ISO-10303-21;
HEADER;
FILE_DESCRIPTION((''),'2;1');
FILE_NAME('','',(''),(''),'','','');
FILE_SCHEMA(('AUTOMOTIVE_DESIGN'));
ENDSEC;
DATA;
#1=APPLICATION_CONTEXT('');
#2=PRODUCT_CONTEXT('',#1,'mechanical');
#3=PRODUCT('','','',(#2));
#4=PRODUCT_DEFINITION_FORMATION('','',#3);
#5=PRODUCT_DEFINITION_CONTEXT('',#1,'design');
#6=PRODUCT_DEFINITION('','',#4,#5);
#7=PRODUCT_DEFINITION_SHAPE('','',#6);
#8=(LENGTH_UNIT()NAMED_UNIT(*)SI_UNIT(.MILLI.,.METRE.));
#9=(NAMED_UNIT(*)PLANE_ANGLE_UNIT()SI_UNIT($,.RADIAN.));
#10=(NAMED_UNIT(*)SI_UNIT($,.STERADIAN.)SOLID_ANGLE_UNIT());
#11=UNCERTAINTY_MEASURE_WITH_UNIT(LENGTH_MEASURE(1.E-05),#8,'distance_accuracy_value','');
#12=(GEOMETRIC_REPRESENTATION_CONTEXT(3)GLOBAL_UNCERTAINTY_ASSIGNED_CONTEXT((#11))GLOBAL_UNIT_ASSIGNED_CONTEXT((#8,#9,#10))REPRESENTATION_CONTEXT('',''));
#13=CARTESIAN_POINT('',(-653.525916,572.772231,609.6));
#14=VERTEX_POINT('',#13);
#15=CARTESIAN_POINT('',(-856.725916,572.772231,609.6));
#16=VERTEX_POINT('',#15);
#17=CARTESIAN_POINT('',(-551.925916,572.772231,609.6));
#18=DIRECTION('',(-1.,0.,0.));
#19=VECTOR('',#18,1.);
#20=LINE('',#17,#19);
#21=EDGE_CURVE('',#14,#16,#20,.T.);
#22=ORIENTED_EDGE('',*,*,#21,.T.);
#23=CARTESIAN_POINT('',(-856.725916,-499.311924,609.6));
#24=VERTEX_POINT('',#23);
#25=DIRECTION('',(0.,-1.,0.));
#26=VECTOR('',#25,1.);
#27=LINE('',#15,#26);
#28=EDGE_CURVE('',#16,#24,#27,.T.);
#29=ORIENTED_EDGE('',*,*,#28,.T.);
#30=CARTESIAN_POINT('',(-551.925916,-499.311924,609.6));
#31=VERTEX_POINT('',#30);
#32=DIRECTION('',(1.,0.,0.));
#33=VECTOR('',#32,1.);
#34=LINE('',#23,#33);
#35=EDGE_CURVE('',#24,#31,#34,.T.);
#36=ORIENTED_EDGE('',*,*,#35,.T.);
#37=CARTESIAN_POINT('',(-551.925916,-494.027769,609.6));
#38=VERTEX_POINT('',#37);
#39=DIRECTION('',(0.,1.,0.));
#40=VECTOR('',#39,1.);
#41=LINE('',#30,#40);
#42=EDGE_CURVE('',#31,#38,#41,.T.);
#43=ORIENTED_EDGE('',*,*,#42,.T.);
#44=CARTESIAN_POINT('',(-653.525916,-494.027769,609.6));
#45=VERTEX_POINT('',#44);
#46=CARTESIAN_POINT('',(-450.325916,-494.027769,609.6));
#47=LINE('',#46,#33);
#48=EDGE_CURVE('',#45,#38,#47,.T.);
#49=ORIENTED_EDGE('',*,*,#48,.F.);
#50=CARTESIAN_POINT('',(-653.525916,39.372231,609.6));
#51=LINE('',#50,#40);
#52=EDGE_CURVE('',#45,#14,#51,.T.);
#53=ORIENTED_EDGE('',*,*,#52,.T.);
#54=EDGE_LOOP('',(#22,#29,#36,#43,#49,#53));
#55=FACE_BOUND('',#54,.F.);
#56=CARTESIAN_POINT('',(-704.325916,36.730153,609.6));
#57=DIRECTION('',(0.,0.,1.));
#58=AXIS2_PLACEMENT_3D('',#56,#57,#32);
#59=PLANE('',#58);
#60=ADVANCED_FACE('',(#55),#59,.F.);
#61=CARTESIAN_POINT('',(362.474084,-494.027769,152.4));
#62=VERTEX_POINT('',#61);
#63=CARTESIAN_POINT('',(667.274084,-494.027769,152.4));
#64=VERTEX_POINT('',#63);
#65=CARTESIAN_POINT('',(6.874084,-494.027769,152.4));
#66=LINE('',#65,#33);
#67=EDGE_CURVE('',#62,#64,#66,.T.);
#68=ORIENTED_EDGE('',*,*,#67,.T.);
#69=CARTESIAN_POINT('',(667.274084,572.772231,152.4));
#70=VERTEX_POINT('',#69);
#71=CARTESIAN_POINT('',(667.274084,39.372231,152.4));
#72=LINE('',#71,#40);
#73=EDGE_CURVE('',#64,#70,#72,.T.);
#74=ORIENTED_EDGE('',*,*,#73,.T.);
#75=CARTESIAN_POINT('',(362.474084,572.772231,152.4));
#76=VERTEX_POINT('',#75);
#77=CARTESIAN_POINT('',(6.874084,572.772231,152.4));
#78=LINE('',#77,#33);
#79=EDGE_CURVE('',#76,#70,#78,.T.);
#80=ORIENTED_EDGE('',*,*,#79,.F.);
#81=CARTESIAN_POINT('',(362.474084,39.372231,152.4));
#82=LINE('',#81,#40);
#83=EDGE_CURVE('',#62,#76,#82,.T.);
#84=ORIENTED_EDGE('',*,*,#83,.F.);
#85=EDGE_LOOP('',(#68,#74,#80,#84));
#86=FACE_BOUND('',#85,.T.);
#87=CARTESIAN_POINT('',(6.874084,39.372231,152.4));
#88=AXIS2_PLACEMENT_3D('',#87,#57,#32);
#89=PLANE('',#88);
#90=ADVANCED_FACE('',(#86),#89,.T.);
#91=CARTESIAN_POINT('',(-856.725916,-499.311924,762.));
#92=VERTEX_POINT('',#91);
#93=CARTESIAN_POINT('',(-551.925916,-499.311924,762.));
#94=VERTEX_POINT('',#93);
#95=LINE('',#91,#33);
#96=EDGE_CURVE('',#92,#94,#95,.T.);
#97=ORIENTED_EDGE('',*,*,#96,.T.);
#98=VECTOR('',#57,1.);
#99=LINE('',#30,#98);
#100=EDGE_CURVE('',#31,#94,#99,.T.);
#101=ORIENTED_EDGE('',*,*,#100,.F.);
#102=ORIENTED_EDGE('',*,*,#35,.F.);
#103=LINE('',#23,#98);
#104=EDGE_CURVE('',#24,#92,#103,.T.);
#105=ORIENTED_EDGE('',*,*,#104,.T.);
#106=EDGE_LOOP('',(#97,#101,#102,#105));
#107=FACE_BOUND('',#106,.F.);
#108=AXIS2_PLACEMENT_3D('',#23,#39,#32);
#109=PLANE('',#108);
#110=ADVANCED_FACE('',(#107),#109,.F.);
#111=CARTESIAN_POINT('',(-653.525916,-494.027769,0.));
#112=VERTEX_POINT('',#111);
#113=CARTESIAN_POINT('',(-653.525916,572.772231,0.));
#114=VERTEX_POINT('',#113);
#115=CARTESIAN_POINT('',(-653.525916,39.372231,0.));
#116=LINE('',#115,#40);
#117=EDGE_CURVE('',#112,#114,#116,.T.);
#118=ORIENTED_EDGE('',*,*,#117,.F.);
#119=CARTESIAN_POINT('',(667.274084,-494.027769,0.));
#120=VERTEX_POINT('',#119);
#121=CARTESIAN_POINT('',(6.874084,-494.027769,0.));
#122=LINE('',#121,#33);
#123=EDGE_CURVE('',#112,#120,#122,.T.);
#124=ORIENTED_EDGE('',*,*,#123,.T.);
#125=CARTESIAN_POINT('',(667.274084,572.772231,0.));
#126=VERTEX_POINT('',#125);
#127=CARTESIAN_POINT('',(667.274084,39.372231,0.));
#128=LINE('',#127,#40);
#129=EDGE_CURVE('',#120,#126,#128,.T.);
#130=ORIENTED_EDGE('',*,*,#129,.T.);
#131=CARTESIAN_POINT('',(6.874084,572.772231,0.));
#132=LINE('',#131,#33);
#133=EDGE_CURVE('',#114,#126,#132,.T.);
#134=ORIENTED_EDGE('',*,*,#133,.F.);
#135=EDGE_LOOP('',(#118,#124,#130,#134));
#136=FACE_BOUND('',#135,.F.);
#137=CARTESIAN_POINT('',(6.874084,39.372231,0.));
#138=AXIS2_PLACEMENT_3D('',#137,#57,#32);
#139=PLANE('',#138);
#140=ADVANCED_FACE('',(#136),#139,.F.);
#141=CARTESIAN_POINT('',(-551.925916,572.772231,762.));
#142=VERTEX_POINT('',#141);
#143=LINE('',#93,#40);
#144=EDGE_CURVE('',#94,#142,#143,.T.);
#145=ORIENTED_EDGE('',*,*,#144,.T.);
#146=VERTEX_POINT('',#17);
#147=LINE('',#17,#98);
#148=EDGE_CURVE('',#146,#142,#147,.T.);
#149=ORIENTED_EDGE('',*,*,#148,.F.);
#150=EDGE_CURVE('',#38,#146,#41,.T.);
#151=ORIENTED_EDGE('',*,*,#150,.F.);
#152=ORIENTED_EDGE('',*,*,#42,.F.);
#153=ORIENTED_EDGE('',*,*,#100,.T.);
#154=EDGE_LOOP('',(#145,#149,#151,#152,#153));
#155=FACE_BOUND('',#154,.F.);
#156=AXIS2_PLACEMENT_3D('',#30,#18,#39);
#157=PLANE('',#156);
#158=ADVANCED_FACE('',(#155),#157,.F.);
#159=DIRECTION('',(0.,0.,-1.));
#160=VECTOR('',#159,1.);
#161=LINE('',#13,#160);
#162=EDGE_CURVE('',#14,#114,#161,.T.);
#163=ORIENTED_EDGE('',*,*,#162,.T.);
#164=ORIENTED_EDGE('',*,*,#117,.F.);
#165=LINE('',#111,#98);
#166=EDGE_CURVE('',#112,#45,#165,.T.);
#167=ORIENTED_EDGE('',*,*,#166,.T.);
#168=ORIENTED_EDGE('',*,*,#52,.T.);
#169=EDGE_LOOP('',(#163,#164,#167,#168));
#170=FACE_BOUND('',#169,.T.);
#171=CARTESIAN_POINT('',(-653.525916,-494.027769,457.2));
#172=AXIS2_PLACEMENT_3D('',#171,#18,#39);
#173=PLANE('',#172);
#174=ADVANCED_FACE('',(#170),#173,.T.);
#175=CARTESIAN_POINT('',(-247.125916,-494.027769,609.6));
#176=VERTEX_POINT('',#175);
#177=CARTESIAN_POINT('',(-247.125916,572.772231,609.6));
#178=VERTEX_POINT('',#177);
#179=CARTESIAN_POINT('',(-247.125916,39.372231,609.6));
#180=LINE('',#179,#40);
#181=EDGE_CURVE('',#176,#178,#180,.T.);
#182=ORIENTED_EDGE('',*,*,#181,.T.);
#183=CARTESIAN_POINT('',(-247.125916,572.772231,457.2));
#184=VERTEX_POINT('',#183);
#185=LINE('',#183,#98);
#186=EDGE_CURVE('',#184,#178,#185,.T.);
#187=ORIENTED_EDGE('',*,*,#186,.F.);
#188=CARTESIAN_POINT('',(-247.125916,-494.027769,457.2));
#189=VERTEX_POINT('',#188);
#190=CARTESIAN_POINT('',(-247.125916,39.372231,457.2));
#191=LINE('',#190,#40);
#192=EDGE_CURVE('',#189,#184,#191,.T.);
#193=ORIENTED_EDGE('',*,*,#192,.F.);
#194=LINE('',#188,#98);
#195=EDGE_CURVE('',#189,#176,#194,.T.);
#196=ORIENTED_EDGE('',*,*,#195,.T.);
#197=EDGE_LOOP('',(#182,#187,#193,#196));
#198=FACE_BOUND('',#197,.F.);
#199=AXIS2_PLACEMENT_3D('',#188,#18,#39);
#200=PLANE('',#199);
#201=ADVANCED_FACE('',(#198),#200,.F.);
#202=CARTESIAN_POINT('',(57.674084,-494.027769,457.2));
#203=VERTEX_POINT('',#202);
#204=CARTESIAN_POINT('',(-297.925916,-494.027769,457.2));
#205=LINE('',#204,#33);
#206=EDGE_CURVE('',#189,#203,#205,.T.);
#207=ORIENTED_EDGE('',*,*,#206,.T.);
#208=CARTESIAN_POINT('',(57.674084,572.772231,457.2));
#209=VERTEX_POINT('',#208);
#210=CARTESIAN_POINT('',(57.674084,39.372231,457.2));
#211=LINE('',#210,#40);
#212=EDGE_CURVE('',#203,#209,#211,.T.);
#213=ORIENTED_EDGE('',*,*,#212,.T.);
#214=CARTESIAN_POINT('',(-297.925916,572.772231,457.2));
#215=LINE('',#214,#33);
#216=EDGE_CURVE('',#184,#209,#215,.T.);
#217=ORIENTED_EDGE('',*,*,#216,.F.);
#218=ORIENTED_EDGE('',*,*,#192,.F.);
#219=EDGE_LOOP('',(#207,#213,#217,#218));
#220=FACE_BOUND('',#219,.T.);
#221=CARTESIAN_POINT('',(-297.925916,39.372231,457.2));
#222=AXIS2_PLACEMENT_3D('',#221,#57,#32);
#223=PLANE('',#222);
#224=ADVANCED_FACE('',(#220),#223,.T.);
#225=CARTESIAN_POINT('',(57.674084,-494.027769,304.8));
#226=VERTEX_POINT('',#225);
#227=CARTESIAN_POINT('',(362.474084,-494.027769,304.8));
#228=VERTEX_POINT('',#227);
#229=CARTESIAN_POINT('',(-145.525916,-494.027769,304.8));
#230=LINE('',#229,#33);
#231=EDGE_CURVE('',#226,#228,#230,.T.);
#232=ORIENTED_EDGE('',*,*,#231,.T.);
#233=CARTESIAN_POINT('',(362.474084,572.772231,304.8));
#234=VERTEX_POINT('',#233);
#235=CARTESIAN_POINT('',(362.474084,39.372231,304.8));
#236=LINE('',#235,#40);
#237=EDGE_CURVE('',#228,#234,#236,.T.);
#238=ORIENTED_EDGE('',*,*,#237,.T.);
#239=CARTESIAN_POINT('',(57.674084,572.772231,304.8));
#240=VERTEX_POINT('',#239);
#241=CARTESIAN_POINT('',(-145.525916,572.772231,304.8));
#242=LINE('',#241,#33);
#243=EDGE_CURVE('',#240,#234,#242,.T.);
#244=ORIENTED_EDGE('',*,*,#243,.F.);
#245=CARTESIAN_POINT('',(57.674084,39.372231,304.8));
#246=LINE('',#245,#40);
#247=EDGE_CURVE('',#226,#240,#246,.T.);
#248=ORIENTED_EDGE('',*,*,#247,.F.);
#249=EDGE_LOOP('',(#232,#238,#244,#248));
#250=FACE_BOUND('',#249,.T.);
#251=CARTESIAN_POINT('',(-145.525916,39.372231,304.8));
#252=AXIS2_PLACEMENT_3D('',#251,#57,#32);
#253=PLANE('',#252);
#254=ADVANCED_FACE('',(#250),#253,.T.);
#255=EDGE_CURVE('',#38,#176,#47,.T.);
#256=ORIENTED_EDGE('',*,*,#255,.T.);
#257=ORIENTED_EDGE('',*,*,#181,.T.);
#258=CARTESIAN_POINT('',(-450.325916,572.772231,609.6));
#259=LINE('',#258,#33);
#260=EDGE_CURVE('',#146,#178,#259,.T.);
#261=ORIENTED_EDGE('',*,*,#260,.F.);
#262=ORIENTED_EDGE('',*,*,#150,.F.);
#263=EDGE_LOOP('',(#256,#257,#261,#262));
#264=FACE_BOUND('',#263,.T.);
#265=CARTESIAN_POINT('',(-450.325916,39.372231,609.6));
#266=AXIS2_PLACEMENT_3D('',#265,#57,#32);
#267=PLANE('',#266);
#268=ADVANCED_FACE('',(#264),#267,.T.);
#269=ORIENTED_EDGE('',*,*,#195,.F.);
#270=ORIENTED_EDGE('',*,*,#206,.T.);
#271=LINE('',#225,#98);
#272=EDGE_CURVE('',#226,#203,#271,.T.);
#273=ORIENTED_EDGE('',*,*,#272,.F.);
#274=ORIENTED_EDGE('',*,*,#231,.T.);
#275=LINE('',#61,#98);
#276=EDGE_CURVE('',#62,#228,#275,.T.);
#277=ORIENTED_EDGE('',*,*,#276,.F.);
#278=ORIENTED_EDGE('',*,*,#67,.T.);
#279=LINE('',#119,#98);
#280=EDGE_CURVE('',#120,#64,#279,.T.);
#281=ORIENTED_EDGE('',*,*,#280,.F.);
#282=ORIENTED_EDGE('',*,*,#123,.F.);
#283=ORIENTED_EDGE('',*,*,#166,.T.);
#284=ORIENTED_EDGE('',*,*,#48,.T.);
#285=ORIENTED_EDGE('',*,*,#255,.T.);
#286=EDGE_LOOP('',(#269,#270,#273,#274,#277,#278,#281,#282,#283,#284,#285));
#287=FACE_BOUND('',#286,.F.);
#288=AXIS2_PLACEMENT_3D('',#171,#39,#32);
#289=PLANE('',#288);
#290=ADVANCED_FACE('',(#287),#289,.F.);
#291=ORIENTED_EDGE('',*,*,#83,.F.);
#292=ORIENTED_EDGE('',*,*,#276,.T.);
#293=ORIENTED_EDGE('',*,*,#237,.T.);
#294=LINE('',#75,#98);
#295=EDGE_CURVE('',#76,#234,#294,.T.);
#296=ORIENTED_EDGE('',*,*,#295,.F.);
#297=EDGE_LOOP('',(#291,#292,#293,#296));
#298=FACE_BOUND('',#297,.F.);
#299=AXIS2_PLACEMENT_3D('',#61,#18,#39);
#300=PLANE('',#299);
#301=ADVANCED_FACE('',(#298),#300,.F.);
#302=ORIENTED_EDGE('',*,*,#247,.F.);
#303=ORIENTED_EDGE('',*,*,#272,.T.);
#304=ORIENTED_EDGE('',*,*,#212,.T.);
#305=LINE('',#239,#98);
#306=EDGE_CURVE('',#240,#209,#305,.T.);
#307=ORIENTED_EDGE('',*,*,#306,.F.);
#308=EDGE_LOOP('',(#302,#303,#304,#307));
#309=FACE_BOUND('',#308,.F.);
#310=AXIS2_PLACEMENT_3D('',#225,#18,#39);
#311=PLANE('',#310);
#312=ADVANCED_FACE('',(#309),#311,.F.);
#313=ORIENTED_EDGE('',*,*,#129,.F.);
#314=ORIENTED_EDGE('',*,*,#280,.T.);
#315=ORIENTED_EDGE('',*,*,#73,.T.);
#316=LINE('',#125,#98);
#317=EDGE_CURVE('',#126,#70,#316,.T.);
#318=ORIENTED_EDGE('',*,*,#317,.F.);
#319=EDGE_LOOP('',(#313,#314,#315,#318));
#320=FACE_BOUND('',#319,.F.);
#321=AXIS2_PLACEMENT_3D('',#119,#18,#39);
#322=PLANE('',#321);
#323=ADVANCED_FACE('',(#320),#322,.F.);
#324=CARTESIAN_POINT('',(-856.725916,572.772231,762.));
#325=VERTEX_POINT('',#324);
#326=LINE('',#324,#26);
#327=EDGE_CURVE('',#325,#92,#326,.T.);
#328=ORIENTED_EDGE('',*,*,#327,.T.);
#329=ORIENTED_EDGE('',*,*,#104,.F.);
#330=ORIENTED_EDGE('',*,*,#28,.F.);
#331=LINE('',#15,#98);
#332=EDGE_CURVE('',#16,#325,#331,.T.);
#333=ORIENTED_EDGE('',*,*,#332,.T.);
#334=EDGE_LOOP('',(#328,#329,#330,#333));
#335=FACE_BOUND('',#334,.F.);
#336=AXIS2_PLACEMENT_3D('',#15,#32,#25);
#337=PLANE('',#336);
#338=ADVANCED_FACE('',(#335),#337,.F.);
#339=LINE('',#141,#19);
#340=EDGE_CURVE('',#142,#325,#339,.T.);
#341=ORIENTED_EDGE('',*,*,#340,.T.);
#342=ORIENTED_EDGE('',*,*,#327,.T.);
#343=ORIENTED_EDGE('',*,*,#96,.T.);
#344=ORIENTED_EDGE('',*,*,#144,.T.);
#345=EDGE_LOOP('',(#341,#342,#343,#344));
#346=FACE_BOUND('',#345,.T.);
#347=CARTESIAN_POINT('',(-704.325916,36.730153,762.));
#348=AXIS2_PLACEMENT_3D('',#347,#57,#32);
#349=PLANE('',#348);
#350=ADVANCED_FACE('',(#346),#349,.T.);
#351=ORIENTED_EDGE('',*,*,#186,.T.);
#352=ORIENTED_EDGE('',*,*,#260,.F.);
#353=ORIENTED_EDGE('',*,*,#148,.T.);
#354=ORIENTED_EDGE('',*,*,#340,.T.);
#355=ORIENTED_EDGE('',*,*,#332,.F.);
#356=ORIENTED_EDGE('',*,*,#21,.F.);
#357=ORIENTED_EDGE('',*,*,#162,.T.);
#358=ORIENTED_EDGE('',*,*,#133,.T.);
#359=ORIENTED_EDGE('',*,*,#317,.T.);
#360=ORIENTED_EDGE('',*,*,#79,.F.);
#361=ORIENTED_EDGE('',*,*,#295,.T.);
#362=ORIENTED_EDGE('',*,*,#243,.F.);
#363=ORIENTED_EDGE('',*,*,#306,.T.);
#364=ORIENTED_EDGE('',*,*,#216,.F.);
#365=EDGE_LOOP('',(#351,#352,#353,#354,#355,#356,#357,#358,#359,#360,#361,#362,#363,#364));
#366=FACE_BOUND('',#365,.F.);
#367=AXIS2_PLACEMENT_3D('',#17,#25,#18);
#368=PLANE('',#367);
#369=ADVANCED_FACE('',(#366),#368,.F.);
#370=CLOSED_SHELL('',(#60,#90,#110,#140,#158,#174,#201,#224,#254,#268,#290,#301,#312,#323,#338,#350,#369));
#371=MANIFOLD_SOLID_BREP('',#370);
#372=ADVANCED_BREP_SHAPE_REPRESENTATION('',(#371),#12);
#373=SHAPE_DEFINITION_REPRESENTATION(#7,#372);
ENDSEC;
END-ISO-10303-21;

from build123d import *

# Parameters (mm, degrees)
F0_W     = 1320.8
F0_H     = 1066.8
F1_DEPTH = 152.4
F2_W     = 1016
F2_H     = 1066.8
F3_DEPTH = 152.4
F4_W     = 711.2
F4_H     = 1066.8
F5_DEPTH = 152.4
F6_W     = 406.4
F6_H     = 1066.8
F7_DEPTH = 152.4
F9_DEPTH = 152.4


with BuildPart() as f1:
    # F0 (on Top) → F1 (new body)
    with BuildSketch(Plane.XY):
        with Locations((6.8740844727, 39.3722309107)):
            Rectangle(F0_W, F0_H)
    extrude(amount=F1_DEPTH)

    # F2 (on face) → F3 (join)
    with BuildSketch(Plane.XY.offset(152.4)):
        with Locations((-145.5259155273, 39.3722309107)):
            Rectangle(F2_W, F2_H)
    extrude(amount=F3_DEPTH)

    # F4 (on face) → F5 (join)
    with BuildSketch(Plane.XY.offset(304.8)):
        with Locations((-297.9259155273, 39.3722309107)):
            Rectangle(F4_W, F4_H)
    extrude(amount=F5_DEPTH)

    # F6 (on face) → F7 (join)
    with BuildSketch(Plane.XY.offset(457.2)):
        with Locations((-450.3259155273, 39.3722309107)):
            Rectangle(F6_W, F6_H)
    extrude(amount=F7_DEPTH)

    # F8 (on face) → F9 (join)
    with BuildSketch(Plane.XY.offset(609.6)):
        Polygon((-551.9259155273, -499.3119239807), (-551.9259155273, 572.7722309107), (-653.5259155273, 572.7722309107), (-856.7259155273, 572.7722309107), (-856.7259155273, -499.3119239807), align=None)
    extrude(amount=F9_DEPTH)


solid = f1.part
